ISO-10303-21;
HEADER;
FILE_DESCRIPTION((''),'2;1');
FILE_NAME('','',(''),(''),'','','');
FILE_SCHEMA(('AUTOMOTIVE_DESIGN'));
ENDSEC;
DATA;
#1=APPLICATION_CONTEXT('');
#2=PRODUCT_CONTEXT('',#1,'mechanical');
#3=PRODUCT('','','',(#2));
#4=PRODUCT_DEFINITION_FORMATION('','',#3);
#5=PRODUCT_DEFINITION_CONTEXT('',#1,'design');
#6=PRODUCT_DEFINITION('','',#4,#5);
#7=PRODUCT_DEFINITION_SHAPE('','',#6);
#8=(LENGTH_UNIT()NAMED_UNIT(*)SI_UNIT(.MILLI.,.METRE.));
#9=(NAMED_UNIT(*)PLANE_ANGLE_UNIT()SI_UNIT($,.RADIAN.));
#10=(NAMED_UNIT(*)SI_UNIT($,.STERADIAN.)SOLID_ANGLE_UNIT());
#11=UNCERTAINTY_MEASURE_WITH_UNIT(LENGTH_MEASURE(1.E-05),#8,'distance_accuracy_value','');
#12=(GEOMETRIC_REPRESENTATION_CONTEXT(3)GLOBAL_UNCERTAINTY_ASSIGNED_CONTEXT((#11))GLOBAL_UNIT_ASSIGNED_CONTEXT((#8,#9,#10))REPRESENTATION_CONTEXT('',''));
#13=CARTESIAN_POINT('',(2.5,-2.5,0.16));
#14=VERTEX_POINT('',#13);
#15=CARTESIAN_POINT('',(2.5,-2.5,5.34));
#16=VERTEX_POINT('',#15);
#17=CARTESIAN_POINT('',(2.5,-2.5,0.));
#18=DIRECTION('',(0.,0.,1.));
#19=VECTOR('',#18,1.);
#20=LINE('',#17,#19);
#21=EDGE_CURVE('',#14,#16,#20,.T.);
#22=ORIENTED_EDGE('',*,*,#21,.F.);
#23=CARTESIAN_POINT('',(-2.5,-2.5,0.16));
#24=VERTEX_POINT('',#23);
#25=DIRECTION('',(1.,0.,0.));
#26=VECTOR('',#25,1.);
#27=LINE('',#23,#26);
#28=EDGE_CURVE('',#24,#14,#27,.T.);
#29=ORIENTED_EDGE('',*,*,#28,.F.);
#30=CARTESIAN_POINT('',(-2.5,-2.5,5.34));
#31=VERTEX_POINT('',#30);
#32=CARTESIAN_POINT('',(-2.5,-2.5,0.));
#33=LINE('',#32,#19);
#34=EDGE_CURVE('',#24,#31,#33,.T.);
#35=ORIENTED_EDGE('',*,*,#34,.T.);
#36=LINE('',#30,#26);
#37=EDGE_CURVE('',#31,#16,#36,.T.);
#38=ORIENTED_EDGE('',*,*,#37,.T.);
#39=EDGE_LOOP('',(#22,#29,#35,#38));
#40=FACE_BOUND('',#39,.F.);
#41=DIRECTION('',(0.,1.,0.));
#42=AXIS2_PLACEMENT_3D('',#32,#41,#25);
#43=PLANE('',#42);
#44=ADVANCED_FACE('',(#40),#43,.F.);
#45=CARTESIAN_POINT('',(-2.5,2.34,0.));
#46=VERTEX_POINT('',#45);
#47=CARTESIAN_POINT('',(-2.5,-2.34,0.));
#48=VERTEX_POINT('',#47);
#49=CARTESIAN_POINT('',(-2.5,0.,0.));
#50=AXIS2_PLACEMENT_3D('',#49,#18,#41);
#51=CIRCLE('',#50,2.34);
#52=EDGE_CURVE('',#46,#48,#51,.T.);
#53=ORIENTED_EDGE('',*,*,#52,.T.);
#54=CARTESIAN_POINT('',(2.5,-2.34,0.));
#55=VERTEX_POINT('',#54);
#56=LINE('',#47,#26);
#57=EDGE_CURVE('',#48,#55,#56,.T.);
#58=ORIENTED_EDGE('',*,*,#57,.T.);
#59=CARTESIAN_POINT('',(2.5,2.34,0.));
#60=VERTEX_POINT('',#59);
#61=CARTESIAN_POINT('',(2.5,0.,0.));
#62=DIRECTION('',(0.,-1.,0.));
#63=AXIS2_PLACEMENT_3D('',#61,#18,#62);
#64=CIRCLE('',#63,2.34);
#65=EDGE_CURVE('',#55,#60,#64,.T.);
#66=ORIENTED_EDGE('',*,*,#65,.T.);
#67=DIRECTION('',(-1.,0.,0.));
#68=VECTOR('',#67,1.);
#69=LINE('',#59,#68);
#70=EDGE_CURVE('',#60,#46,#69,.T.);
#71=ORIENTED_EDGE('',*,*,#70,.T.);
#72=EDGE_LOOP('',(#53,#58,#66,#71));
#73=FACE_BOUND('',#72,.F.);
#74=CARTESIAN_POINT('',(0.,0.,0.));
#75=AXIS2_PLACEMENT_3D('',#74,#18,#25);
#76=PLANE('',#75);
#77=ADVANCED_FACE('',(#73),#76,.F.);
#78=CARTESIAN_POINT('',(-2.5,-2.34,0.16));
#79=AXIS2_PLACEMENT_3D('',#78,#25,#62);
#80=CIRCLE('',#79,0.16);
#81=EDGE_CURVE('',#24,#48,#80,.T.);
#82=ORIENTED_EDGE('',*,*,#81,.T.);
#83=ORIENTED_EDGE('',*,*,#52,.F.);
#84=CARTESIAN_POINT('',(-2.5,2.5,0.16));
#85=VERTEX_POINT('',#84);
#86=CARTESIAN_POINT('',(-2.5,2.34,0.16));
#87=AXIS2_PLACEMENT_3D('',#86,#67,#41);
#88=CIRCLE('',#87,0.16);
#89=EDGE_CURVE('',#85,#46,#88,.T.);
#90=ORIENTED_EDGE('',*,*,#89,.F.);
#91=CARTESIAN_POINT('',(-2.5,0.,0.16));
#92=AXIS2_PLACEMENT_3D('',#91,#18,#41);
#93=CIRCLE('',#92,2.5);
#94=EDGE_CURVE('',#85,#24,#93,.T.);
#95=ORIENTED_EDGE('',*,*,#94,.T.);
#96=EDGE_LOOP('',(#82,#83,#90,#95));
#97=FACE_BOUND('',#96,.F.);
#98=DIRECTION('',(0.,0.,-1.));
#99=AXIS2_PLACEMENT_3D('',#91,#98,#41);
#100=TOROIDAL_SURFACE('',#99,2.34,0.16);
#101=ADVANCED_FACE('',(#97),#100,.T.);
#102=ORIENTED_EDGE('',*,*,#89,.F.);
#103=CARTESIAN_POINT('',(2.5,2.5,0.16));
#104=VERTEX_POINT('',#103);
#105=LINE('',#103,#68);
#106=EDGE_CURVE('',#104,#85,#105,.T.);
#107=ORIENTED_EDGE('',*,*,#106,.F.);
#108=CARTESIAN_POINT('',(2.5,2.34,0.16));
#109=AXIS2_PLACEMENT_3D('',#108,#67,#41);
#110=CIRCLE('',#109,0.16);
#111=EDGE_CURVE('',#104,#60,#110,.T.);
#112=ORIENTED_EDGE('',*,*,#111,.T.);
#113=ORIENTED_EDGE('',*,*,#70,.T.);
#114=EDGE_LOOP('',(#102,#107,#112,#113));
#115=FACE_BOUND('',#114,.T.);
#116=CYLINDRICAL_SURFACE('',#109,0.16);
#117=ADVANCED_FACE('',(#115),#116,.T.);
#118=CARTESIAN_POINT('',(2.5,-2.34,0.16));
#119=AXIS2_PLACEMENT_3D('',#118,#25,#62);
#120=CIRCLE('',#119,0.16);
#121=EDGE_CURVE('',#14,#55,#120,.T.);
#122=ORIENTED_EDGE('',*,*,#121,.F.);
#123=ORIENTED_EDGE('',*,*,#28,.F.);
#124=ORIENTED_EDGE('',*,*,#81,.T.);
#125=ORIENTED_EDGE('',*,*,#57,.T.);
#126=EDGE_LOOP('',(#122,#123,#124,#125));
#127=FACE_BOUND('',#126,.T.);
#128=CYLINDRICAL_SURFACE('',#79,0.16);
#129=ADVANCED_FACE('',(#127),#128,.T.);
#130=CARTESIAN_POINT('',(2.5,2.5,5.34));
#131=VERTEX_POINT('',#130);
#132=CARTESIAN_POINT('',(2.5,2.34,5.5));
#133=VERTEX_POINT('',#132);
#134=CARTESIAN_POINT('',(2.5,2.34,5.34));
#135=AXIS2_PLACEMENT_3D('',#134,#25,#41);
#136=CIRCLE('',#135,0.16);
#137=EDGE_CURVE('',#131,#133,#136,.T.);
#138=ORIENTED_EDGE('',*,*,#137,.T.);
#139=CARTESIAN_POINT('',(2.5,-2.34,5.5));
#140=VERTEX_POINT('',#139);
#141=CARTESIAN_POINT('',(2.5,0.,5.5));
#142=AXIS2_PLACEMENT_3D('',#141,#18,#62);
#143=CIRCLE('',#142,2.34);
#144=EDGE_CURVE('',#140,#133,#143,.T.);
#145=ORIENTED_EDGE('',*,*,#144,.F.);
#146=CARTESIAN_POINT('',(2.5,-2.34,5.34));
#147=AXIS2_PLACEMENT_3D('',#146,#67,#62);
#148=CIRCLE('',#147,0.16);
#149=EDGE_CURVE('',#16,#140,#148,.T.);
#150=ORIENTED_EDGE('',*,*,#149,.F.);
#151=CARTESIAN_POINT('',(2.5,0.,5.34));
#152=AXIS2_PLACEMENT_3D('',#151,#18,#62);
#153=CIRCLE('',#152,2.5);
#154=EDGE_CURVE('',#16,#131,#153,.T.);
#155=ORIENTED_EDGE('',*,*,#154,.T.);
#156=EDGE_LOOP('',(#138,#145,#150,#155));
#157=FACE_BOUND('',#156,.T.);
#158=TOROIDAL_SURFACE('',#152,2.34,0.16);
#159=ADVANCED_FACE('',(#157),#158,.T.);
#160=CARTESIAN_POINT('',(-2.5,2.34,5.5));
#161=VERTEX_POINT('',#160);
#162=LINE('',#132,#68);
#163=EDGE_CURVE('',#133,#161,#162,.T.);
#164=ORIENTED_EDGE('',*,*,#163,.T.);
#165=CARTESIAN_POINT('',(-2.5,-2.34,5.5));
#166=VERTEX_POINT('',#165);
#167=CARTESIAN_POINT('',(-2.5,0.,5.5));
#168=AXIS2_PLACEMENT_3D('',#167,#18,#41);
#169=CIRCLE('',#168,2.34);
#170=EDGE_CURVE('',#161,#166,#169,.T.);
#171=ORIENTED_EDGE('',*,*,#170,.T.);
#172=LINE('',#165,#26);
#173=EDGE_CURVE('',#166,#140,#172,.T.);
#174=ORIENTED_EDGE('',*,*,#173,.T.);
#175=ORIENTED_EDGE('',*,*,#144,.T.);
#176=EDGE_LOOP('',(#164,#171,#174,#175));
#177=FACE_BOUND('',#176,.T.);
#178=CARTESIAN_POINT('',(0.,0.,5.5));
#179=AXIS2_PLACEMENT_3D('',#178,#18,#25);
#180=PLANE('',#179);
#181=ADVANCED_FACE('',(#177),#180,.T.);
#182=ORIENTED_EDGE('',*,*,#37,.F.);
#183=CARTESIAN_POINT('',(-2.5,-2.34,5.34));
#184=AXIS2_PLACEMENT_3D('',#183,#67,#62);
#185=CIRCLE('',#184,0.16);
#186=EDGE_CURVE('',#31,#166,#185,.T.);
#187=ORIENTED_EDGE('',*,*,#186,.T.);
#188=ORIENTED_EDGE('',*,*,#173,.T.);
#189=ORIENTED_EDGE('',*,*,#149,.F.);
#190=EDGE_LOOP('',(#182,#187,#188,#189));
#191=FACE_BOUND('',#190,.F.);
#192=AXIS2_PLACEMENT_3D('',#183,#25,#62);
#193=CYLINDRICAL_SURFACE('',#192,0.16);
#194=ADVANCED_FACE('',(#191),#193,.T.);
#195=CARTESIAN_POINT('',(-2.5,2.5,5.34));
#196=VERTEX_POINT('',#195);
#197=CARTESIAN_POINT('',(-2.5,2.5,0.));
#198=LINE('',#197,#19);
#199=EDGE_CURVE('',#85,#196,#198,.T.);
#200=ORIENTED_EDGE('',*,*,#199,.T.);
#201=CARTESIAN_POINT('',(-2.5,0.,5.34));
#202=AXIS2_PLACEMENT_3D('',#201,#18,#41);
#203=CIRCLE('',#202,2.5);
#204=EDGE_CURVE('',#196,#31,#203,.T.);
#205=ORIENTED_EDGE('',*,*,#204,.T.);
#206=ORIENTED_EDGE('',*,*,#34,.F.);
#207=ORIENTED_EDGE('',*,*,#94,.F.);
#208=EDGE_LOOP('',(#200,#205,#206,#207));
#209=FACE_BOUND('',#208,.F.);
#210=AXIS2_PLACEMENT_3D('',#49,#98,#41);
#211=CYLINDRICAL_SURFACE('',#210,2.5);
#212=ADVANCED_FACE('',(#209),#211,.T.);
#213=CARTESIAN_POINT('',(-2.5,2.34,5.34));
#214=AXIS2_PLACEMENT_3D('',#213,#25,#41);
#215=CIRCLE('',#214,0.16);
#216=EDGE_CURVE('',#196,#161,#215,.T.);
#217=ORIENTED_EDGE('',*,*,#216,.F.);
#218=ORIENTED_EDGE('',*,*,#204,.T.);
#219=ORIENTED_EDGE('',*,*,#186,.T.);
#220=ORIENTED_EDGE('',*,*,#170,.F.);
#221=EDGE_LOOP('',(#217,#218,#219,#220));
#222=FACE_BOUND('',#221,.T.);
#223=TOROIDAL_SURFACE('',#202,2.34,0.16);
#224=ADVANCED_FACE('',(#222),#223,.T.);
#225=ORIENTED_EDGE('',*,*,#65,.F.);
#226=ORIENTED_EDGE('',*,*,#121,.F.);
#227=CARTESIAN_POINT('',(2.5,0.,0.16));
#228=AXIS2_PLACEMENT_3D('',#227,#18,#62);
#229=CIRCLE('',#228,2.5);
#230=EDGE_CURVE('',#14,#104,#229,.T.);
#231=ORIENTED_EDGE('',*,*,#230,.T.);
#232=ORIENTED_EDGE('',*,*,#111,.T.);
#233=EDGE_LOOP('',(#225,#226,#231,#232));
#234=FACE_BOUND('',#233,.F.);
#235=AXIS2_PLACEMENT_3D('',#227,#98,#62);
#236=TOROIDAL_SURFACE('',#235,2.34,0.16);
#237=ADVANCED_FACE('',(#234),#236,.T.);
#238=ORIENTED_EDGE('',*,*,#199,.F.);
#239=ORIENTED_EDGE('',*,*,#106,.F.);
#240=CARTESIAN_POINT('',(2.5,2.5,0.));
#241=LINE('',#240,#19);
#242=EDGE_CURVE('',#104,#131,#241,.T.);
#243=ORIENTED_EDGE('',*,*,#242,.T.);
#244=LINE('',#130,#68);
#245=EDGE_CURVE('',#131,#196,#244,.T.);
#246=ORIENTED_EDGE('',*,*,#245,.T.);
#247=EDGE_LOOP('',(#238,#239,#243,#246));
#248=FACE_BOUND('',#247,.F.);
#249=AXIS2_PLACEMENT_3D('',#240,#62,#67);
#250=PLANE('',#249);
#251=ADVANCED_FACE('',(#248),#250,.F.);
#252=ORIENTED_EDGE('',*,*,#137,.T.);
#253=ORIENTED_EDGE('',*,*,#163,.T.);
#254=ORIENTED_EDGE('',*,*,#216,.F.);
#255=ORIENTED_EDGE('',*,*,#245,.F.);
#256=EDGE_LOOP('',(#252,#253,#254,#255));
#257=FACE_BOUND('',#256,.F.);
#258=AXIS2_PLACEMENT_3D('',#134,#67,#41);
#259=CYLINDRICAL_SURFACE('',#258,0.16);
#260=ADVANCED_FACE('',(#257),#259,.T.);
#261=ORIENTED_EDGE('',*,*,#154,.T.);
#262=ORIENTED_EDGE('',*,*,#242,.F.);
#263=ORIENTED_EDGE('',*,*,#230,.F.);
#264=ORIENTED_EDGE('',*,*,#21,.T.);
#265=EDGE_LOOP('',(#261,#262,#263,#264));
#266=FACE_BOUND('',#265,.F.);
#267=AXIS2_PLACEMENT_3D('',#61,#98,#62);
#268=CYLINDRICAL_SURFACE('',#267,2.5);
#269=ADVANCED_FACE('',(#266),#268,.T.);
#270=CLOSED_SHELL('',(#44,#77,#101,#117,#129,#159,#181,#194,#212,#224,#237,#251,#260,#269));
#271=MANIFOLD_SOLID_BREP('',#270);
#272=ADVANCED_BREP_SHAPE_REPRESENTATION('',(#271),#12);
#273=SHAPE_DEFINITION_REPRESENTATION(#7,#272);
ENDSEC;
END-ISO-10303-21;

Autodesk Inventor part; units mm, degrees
ref_plane "YZ Plane" through (0, 0, 0) normal (1, 0, 0) x (0, 1, 0)
ref_plane "XZ Plane" through (0, 0, 0) normal (0, 1, 0) x (-1, 0, 0)
ref_plane "XY Plane" through (0, 0, 0) normal (0, 0, 1) x (1, 0, 0)
sketch "草圖1" plane through (0, 0, 0) normal (0, 0, 1) x (1, 0, 0)
  line L0 (-2.5, -2.5) -> (2.5, -2.5)
  line L1 (2.5, -2.5) -> (2.5, 2.5)
  line L2 (2.5, 2.5) -> (-2.5, 2.5)
  line L3 (-2.5, 2.5) -> (-2.5, -2.5)
  line L4 (-2.5, -2.5) -> (2.5, 2.5) construction
  line L5 (2.5, -2.5) -> (-2.5, 2.5) construction
  arc A0 (2.5, -2.5) -> (2.5, 2.5) centre (2.5, 0) ccw
  arc A1 (-2.5, 2.5) -> (-2.5, -2.5) centre (-2.5, 0) ccw
  point P0 (0, 0)
  dimension "d0" = 5
  dimension "d1" = 5
extrude "擠出1" add sketch "草圖1" along normal blind 5.5
fillet "圓角1" radius 0.16 8 edges at (-5, 0, 5.5) (0, -2.5, 5.5) (5, 0, 5.5) (0, 2.5, 5.5) (-5, 0, 0) (0, -2.5, 0) (5, 0, 0) (0, 2.5, 0)
properties part number "key_sun2"
